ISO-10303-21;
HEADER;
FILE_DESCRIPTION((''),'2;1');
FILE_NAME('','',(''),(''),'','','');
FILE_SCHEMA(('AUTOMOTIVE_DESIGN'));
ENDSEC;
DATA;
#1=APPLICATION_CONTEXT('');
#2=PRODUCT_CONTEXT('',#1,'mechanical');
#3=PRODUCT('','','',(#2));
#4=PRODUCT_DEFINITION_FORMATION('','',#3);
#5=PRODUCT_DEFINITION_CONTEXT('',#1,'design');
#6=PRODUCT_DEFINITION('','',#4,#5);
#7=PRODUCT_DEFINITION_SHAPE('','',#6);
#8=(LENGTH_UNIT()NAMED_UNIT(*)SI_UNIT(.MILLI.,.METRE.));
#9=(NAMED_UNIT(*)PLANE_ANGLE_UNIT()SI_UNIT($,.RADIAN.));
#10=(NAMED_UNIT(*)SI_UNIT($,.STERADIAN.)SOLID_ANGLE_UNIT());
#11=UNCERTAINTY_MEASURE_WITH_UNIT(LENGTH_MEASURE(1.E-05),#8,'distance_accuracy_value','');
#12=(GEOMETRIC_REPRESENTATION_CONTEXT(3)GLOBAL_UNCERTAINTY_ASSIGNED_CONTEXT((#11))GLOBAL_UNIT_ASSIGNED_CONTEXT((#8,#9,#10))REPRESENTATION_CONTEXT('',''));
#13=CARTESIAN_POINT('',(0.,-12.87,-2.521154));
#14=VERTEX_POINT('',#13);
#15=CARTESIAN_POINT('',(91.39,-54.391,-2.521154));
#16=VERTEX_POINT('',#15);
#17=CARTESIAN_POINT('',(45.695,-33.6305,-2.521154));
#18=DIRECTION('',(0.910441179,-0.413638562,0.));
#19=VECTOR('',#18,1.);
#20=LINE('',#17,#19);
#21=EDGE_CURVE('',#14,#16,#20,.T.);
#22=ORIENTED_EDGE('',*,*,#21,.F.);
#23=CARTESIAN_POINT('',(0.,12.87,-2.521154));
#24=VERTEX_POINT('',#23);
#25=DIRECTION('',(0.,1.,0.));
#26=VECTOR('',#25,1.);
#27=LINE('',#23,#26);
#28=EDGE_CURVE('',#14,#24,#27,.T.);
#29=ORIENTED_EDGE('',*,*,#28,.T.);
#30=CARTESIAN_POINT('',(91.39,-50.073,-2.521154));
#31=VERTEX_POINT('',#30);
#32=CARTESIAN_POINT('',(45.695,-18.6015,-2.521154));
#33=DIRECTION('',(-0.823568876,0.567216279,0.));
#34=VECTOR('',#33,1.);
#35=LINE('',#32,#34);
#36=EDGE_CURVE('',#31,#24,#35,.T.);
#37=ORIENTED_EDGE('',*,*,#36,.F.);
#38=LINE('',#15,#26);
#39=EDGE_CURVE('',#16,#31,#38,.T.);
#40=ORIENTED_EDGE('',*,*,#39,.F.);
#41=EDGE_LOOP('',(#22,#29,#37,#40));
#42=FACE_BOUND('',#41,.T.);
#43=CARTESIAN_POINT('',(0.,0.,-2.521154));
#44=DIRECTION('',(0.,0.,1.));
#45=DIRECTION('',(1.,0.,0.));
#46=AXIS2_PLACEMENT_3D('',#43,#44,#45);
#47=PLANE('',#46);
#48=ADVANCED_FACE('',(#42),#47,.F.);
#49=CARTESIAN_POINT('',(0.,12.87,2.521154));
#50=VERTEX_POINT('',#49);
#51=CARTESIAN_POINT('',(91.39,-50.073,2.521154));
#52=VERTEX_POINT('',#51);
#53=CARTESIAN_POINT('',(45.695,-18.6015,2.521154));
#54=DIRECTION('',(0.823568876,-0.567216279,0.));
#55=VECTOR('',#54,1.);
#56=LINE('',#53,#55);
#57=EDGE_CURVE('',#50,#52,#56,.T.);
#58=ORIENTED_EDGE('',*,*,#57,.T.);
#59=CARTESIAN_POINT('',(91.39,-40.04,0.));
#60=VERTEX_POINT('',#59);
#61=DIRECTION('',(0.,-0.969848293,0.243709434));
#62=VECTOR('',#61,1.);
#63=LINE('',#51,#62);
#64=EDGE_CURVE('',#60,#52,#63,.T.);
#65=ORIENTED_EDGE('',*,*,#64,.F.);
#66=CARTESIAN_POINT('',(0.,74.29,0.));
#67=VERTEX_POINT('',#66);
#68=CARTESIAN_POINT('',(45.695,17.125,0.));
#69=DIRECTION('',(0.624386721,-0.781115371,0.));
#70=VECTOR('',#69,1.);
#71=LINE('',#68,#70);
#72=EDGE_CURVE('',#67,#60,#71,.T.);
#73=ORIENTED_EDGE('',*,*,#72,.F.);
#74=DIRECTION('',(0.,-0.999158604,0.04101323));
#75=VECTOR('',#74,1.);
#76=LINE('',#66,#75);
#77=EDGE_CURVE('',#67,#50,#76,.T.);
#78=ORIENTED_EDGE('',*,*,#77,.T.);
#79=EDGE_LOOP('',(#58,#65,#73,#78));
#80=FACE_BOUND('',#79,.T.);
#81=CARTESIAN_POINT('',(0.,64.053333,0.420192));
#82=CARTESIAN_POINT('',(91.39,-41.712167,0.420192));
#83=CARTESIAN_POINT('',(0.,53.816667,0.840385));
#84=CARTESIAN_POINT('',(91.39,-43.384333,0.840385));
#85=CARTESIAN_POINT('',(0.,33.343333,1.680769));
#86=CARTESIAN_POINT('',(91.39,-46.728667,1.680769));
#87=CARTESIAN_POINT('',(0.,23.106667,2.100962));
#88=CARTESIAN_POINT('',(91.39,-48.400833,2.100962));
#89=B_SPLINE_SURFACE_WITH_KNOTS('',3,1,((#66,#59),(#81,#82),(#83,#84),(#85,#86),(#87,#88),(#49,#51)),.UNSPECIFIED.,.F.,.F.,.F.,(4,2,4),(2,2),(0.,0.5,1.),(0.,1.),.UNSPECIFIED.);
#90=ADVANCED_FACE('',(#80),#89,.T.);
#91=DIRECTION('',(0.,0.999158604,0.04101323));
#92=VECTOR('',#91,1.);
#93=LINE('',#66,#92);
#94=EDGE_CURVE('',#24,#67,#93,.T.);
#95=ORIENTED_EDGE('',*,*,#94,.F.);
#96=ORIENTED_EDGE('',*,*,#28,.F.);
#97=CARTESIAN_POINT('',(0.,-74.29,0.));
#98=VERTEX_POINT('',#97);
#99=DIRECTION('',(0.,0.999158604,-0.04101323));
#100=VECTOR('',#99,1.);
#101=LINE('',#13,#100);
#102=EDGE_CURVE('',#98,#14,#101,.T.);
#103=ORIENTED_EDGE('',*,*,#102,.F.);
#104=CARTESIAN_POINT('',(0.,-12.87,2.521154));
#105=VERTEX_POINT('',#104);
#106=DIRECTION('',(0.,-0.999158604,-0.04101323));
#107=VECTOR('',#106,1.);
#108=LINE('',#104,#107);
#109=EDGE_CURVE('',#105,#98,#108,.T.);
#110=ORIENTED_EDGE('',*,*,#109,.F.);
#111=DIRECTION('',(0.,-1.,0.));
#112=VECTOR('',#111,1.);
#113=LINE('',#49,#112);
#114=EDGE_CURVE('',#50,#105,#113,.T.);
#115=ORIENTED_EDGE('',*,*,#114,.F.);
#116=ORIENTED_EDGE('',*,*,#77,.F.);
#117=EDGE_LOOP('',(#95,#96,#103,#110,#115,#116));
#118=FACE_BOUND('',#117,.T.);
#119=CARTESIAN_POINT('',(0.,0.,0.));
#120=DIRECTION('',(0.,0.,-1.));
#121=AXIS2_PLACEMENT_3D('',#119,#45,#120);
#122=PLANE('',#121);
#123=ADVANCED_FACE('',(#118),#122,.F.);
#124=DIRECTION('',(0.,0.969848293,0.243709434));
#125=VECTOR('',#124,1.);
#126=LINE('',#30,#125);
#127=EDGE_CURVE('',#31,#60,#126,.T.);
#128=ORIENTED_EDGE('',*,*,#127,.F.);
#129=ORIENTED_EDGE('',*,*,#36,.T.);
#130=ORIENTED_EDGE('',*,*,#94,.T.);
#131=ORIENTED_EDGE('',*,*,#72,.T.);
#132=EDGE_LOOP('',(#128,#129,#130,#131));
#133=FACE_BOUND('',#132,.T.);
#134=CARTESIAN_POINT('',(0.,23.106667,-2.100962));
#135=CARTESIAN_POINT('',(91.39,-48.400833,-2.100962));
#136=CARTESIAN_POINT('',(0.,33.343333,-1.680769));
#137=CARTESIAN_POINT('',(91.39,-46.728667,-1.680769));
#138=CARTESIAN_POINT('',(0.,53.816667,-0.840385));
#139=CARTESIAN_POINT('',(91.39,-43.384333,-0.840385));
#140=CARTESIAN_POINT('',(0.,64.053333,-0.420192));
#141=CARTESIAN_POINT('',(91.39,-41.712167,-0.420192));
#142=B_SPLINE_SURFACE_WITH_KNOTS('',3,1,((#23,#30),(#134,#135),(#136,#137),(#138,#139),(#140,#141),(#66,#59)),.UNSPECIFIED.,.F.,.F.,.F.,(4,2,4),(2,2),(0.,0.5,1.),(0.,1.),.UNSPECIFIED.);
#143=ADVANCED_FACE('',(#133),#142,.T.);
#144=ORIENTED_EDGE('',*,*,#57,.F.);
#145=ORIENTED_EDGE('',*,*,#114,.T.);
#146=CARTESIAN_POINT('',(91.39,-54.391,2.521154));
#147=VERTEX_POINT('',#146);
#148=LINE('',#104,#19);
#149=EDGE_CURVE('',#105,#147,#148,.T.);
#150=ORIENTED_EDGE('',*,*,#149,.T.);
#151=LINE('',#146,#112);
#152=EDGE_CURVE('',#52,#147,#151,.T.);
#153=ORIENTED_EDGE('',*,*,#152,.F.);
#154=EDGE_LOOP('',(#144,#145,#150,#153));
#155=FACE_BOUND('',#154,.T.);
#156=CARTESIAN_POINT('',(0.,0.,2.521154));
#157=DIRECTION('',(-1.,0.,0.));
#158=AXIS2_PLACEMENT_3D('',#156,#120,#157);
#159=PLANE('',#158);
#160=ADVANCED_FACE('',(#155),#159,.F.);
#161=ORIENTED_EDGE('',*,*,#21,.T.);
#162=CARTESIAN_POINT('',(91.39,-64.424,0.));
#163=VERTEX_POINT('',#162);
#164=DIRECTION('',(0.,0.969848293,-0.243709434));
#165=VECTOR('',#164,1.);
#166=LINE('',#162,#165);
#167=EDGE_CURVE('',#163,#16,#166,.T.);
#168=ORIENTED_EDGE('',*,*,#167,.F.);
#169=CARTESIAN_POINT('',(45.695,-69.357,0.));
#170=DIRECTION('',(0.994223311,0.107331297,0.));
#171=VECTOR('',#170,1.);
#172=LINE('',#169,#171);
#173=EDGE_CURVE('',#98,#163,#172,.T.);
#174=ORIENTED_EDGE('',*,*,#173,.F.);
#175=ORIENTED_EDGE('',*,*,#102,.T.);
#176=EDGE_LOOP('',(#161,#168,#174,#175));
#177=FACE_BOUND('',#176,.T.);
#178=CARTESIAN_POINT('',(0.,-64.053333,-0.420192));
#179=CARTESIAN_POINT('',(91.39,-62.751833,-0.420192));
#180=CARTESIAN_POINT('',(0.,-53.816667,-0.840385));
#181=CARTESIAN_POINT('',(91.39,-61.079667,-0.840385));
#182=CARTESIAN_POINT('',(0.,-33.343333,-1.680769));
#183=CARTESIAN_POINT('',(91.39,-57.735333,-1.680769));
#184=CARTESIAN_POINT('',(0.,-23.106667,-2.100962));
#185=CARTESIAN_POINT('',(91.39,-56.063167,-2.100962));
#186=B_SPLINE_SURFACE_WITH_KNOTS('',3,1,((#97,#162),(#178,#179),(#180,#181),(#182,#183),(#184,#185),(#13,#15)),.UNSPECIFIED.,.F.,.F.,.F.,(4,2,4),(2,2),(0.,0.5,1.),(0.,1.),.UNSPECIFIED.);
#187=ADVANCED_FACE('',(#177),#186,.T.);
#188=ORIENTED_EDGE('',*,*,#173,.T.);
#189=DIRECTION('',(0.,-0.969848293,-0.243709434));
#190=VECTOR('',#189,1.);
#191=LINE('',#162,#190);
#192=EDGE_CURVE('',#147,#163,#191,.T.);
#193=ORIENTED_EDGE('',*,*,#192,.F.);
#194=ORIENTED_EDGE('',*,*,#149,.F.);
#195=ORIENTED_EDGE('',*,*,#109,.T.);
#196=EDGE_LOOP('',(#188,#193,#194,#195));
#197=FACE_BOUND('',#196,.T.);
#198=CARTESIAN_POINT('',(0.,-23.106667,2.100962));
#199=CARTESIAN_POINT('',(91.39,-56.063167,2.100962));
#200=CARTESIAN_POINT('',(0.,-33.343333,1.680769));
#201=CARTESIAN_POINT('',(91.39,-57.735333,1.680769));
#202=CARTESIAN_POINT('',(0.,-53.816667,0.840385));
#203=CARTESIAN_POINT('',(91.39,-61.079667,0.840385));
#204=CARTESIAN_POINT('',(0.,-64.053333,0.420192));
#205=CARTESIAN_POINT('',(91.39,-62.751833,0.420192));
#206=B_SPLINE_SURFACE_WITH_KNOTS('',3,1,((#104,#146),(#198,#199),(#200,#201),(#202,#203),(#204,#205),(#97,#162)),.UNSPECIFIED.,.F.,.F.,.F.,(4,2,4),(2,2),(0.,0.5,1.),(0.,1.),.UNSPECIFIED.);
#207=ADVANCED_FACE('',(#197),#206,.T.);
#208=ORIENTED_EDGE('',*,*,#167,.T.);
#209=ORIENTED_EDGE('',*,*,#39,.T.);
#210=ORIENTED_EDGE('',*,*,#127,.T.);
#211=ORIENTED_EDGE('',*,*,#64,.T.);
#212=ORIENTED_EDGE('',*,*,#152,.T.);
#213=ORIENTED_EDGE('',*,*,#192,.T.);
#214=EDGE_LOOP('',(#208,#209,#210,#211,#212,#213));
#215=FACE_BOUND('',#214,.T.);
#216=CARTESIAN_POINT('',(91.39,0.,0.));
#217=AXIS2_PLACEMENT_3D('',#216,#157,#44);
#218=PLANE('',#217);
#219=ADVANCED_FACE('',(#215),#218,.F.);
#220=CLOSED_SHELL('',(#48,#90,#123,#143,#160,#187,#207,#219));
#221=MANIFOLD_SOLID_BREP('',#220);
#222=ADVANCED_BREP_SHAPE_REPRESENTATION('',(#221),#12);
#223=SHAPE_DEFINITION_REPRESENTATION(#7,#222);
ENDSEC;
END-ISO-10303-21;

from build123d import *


with BuildPart() as part:
    # Sketch1 → Loft1 section 0
    with BuildSketch(Plane(origin=(0, 0, 0), x_dir=(0, 0, -1), z_dir=(1, 0, 0))):
        Polygon((0, 74.29), (2.521153846, 12.87), (2.521153846, -12.87), (0, -74.29), (-2.521153846, -12.87), (-2.521153846, 12.87), align=None)
    # Sketch2 → Loft1 section 1
    with BuildSketch(Plane(origin=(91.39, 0, 0), x_dir=(0, 0, -1), z_dir=(1, 0, 0))):
        Polygon((0, -64.424), (2.521153846, -54.391), (2.521153846, -50.073), (0, -40.04), (-2.521153846, -50.073), (-2.521153846, -54.391), align=None)
    loft()


solid = part.part
